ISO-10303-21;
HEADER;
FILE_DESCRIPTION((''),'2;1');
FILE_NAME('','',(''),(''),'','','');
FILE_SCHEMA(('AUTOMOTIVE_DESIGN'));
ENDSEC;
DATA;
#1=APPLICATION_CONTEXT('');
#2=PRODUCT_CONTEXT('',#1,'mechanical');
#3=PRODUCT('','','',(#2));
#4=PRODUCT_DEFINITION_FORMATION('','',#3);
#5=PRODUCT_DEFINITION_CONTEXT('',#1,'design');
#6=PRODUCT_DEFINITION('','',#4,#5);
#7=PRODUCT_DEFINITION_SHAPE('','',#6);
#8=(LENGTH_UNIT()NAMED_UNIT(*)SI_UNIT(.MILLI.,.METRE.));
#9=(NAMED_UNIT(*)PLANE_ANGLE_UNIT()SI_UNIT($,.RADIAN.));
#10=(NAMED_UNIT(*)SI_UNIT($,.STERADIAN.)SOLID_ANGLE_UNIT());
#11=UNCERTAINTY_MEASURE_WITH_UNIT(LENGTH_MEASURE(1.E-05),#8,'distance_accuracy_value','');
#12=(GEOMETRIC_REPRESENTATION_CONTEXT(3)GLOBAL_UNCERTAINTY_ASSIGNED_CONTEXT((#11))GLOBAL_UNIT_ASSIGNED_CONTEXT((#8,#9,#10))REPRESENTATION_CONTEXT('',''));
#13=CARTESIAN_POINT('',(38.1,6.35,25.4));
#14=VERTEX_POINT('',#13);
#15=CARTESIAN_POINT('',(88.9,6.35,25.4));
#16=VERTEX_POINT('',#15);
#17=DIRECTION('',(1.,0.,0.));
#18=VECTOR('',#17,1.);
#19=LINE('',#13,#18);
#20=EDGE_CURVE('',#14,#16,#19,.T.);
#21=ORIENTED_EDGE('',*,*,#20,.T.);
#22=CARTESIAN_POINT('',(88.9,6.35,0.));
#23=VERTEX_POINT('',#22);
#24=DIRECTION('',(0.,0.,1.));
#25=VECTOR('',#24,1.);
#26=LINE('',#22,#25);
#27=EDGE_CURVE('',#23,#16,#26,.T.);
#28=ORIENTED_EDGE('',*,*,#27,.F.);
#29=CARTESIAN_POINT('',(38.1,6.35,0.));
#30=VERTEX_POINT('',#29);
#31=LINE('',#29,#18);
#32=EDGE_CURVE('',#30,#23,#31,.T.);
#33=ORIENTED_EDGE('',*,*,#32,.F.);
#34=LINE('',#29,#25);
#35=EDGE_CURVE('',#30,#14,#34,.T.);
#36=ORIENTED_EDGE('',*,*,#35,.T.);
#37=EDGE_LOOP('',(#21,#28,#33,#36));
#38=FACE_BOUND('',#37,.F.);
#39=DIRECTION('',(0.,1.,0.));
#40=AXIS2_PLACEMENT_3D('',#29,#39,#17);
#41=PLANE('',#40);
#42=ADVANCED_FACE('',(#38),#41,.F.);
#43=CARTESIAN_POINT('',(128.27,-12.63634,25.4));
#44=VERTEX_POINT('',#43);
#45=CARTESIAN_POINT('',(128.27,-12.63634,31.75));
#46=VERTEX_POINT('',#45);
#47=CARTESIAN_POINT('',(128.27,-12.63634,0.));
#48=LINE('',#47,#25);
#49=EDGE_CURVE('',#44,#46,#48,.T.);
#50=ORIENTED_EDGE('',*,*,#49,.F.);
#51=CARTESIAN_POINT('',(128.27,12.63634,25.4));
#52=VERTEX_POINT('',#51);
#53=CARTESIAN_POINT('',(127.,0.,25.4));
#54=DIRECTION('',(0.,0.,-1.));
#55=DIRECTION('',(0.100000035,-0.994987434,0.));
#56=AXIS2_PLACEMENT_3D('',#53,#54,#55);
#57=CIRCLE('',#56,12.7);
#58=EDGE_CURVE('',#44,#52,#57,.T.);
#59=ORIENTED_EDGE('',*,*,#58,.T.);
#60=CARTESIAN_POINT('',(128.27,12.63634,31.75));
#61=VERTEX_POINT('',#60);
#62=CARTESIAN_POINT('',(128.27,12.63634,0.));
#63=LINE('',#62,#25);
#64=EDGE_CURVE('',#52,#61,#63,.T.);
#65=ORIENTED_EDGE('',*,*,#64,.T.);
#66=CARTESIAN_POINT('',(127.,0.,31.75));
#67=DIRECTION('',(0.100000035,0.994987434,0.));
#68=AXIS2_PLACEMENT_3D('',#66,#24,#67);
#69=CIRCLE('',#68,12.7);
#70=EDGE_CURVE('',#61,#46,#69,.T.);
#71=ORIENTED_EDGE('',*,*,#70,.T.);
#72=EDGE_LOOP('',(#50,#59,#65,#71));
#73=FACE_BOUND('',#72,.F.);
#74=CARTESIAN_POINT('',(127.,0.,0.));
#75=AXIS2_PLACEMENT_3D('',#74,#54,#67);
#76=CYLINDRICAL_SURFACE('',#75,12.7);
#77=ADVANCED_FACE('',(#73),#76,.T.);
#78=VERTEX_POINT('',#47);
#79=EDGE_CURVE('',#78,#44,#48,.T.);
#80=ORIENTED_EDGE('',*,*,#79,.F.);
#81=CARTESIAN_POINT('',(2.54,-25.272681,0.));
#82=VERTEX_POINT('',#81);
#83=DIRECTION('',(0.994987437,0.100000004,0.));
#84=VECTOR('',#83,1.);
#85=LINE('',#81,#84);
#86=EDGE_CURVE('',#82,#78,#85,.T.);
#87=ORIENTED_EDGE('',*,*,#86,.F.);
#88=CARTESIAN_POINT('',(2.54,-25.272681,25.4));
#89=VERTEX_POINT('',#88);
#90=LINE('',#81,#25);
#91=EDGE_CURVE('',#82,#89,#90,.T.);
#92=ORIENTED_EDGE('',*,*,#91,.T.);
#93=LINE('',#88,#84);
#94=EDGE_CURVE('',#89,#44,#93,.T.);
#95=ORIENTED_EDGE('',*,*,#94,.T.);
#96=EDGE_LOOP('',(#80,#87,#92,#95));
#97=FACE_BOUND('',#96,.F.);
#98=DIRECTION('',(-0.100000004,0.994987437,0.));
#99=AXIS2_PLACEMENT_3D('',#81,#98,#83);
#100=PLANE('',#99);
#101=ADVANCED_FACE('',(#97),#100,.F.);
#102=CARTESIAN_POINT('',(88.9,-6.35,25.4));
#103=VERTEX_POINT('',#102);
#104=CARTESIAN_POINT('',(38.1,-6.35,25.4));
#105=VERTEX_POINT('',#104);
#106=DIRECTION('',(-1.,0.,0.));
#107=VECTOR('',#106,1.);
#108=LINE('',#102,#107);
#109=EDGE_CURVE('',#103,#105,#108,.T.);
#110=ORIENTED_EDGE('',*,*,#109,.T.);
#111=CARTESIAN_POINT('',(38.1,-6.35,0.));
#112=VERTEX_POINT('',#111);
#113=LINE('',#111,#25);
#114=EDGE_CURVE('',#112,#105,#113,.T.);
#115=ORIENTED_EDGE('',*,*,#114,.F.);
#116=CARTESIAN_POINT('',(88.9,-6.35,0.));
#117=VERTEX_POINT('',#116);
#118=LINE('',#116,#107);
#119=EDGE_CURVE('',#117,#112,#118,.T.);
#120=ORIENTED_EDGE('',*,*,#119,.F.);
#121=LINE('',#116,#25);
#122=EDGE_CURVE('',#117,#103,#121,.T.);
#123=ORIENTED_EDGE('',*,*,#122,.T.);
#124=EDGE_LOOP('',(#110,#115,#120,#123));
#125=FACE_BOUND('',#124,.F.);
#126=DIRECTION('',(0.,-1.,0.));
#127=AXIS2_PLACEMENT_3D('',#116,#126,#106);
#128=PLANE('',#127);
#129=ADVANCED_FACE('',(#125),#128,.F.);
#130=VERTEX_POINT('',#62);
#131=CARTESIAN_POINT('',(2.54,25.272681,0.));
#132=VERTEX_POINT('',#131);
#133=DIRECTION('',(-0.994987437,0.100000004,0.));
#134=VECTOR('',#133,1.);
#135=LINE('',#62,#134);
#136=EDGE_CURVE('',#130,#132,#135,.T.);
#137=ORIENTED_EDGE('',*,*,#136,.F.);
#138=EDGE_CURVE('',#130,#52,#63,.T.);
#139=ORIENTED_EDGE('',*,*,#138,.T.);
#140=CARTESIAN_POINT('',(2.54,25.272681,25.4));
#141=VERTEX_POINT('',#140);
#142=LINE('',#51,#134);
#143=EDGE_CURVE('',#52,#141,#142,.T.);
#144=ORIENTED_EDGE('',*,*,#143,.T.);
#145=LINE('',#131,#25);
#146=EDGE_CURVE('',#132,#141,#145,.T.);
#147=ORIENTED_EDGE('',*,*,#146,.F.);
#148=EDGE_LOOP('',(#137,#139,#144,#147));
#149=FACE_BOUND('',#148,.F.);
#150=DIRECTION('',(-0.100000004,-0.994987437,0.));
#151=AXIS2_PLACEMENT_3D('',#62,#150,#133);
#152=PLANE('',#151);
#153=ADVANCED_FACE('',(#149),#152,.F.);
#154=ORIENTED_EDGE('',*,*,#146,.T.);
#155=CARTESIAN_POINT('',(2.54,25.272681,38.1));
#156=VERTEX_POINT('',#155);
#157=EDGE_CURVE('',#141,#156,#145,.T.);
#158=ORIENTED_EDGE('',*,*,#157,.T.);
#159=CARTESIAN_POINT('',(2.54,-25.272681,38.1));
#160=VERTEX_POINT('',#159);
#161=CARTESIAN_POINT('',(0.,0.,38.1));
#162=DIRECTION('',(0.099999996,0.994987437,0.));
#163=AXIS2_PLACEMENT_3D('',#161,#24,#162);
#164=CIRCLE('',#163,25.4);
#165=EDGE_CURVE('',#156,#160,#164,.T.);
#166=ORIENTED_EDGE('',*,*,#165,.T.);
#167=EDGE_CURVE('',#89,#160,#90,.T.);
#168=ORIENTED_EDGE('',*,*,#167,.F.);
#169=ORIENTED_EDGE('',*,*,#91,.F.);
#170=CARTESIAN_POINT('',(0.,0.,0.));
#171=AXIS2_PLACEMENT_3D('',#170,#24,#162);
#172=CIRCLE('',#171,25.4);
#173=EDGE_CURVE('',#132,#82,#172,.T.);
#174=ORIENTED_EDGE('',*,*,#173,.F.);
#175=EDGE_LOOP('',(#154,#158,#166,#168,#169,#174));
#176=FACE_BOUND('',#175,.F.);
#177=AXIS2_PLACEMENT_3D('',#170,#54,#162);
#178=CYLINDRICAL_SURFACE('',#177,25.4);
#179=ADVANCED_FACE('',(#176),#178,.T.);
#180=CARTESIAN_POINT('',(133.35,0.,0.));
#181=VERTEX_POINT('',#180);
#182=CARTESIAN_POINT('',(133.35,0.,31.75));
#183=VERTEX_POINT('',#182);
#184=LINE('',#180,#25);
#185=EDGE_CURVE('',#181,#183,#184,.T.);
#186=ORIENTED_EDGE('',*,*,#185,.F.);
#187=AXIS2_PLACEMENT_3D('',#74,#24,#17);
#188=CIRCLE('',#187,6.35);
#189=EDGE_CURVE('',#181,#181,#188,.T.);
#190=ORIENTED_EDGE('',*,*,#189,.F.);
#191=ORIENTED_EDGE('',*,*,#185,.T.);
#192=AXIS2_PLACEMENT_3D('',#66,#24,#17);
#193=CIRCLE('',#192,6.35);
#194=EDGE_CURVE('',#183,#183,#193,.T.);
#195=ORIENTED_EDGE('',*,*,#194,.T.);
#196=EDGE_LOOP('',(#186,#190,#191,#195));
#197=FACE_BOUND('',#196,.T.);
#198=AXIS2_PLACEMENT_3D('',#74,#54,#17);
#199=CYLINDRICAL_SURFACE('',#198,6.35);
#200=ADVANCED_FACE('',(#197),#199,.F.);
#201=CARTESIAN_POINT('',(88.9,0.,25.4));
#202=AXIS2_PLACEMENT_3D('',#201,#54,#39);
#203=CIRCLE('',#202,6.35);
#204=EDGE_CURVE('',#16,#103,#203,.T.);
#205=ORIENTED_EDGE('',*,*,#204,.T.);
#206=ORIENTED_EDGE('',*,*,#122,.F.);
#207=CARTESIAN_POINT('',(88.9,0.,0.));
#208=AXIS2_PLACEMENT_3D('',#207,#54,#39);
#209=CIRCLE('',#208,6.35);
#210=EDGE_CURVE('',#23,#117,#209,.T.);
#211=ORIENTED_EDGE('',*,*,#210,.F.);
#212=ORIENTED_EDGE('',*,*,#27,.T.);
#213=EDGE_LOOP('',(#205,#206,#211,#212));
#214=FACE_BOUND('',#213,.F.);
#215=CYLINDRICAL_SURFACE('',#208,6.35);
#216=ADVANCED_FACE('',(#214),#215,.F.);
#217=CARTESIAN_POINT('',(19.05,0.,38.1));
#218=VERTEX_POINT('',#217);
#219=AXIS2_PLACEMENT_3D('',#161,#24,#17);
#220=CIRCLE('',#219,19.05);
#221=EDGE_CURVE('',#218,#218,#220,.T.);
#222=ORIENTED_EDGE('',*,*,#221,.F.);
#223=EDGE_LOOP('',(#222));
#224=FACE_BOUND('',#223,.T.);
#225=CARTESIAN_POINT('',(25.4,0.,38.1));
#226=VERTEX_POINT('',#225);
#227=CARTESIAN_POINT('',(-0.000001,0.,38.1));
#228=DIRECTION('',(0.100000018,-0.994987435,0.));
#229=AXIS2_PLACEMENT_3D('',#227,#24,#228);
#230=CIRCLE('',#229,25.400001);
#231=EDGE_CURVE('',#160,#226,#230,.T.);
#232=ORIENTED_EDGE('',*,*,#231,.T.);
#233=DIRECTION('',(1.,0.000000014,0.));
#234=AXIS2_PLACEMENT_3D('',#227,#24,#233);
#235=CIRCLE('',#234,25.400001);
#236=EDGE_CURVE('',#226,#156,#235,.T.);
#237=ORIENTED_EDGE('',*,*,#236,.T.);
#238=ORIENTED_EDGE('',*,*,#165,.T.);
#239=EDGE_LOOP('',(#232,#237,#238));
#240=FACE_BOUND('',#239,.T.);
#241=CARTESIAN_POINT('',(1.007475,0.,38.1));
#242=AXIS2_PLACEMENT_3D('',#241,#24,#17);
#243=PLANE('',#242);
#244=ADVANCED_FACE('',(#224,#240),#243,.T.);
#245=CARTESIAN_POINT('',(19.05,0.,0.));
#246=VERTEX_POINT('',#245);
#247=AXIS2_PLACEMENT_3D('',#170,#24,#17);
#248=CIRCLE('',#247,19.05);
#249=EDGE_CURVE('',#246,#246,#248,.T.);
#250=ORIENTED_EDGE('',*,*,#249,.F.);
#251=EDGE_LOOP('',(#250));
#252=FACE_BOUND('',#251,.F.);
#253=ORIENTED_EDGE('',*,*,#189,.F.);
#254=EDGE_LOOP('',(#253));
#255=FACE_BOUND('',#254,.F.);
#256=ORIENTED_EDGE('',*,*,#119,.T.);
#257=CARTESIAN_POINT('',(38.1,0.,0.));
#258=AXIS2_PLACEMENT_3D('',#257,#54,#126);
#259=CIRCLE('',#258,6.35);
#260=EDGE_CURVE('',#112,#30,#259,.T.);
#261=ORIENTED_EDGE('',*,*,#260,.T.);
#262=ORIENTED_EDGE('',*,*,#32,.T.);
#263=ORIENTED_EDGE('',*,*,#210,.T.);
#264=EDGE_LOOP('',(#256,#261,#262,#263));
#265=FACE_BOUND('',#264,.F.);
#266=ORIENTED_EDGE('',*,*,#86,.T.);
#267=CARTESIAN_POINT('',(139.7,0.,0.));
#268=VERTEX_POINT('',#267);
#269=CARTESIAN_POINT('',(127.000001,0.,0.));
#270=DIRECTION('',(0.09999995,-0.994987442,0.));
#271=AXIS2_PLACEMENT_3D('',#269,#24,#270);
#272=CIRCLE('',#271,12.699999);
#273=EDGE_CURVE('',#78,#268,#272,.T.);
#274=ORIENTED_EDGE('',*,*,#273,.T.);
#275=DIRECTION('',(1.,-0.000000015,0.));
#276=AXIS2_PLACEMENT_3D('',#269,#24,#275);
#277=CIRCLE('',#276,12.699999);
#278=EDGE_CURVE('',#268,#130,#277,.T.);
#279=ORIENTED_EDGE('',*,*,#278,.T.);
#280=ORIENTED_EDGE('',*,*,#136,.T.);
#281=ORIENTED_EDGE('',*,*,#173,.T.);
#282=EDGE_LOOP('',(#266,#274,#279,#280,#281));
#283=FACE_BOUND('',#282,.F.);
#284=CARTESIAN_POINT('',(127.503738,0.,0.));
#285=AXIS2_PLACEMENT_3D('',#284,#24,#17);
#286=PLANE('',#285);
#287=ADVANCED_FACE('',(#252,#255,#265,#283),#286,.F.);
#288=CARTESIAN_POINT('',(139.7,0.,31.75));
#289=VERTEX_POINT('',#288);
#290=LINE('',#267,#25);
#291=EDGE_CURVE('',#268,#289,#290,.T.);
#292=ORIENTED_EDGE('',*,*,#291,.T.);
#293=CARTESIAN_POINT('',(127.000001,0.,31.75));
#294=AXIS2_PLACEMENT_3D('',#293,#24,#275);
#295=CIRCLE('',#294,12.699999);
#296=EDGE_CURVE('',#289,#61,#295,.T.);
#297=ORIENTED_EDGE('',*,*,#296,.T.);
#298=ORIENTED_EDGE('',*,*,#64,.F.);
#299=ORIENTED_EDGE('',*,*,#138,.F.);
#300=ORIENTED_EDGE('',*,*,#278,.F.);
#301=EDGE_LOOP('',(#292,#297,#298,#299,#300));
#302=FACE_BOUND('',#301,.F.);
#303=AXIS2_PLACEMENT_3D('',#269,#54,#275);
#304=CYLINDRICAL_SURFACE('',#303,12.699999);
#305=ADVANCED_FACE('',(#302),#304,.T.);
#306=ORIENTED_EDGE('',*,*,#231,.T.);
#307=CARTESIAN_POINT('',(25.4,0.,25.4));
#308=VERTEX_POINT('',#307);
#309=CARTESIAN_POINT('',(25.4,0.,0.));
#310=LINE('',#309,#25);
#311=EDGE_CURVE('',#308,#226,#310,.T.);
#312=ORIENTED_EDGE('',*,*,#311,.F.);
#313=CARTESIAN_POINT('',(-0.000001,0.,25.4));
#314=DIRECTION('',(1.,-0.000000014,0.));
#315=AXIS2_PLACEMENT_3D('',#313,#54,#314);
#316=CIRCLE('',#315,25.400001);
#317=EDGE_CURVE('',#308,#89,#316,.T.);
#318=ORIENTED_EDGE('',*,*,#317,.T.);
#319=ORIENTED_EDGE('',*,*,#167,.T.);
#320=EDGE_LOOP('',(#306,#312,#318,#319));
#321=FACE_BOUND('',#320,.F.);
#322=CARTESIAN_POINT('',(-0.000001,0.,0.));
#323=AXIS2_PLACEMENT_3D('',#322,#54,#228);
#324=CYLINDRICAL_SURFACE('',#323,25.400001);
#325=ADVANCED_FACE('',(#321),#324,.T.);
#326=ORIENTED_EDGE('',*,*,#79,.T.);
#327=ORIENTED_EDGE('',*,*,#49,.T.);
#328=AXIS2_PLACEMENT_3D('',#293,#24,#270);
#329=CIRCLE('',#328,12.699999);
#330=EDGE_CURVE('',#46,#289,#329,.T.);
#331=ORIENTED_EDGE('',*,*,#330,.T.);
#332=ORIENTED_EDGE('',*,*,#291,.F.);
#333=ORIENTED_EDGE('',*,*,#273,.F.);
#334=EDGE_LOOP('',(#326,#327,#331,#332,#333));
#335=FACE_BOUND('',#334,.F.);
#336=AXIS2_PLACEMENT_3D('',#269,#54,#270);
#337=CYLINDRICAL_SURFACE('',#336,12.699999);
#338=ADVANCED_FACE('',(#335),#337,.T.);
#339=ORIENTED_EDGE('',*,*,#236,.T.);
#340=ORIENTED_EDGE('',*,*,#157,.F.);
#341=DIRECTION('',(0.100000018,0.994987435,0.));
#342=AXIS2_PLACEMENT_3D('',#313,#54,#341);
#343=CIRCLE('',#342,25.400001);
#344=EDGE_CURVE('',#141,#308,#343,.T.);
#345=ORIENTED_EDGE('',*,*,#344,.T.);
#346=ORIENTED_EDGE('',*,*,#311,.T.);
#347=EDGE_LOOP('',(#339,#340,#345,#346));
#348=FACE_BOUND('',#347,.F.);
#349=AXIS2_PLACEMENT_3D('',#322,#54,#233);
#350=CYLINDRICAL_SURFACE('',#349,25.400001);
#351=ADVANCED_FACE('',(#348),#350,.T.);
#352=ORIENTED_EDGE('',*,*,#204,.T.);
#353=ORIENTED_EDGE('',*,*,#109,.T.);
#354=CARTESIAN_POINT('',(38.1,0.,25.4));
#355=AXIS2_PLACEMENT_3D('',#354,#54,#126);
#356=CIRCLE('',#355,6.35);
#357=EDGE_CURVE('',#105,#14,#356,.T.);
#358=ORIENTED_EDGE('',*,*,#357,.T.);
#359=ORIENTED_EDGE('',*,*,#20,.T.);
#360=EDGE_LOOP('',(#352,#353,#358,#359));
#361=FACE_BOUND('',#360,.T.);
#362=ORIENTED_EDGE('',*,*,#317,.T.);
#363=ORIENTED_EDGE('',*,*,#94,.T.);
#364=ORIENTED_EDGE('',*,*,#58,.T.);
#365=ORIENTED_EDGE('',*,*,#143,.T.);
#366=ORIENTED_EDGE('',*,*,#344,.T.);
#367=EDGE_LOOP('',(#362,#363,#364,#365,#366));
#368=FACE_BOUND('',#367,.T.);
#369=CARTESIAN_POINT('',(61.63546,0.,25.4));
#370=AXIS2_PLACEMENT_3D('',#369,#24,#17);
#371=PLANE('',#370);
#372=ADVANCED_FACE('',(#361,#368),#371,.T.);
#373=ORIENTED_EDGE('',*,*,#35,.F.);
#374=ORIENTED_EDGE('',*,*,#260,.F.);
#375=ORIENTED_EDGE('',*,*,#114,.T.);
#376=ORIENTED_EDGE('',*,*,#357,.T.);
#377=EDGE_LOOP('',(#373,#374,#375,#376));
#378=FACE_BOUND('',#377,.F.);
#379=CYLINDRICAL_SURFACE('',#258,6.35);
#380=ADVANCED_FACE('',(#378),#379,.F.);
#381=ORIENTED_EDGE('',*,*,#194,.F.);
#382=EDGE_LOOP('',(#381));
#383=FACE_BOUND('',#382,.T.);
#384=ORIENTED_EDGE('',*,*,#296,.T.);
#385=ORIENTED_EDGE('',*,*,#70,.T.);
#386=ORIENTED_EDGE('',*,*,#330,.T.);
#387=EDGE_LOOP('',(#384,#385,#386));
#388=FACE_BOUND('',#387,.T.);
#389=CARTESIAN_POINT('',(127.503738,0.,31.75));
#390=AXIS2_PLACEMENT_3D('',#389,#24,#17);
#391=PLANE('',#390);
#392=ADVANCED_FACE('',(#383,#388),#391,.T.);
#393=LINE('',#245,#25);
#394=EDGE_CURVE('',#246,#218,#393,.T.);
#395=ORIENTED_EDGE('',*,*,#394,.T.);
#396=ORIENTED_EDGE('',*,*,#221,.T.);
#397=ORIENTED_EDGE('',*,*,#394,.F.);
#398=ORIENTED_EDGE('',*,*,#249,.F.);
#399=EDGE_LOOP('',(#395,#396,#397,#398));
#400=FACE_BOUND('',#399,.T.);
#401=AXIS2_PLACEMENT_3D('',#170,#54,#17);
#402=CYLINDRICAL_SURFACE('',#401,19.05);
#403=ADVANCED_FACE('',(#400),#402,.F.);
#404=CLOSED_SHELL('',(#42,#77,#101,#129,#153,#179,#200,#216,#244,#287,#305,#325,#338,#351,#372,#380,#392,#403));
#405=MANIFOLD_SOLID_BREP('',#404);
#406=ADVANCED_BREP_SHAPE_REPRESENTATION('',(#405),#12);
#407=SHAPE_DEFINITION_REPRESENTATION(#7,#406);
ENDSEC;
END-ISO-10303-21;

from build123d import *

# Parameters (mm, degrees)
F0_R     = 19.05
F1_DEPTH = 38.1
F2_DEPTH = 25.4
F0_R_2   = 6.35
F3_DEPTH = 31.75


with BuildPart() as f1:
    # F0 (on Top) → F1 (new body)
    with BuildSketch(Plane.XY):
        with BuildLine():
            ThreePointArc((2.54, -25.272681), (18.837144, -17.038838), (25.4, 0))
            ThreePointArc((25.4, 0), (18.837144, 17.038838), (2.54, 25.272681))
            ThreePointArc((2.54, 25.272681), (-25.4, 0), (2.54, -25.272681))
        make_face()
        Circle(F0_R, mode=Mode.SUBTRACT)
    extrude(amount=F1_DEPTH)

    # F0 (on Top) → F2 (join)
    with BuildSketch(Plane.XY):
        with BuildLine():
            ThreePointArc((2.54, 25.272681), (18.837144, 17.038838), (25.4, 0))
            ThreePointArc((25.4, 0), (18.837144, -17.038838), (2.54, -25.272681))
            Line((2.54, -25.272681), (128.27, -12.63634))
            ThreePointArc((128.27, -12.63634), (114.3, 0), (128.27, 12.63634))
            Line((128.27, 12.63634), (2.54, 25.272681))
        make_face()
        with BuildLine():
            ThreePointArc((38.1, -6.35), (31.75, 0), (38.1, 6.35))
            Line((38.1, 6.35), (88.9, 6.35))
            ThreePointArc((88.9, 6.35), (95.25, 0), (88.9, -6.35))
            Line((88.9, -6.35), (38.1, -6.35))
        make_face(mode=Mode.SUBTRACT)
    extrude(amount=F2_DEPTH)

    # F0 (on Top) → F3 (join)
    with BuildSketch(Plane.XY):
        with BuildLine():
            ThreePointArc((139.7, 0), (136.418572, 8.519419), (128.27, 12.63634))
            ThreePointArc((128.27, 12.63634), (114.3, 0), (128.27, -12.63634))
            ThreePointArc((128.27, -12.63634), (136.418572, -8.519419), (139.7, 0))
        make_face()
        with Locations((127, 0)):
            Circle(F0_R_2, mode=Mode.SUBTRACT)
    extrude(amount=F3_DEPTH)


solid = f1.part
